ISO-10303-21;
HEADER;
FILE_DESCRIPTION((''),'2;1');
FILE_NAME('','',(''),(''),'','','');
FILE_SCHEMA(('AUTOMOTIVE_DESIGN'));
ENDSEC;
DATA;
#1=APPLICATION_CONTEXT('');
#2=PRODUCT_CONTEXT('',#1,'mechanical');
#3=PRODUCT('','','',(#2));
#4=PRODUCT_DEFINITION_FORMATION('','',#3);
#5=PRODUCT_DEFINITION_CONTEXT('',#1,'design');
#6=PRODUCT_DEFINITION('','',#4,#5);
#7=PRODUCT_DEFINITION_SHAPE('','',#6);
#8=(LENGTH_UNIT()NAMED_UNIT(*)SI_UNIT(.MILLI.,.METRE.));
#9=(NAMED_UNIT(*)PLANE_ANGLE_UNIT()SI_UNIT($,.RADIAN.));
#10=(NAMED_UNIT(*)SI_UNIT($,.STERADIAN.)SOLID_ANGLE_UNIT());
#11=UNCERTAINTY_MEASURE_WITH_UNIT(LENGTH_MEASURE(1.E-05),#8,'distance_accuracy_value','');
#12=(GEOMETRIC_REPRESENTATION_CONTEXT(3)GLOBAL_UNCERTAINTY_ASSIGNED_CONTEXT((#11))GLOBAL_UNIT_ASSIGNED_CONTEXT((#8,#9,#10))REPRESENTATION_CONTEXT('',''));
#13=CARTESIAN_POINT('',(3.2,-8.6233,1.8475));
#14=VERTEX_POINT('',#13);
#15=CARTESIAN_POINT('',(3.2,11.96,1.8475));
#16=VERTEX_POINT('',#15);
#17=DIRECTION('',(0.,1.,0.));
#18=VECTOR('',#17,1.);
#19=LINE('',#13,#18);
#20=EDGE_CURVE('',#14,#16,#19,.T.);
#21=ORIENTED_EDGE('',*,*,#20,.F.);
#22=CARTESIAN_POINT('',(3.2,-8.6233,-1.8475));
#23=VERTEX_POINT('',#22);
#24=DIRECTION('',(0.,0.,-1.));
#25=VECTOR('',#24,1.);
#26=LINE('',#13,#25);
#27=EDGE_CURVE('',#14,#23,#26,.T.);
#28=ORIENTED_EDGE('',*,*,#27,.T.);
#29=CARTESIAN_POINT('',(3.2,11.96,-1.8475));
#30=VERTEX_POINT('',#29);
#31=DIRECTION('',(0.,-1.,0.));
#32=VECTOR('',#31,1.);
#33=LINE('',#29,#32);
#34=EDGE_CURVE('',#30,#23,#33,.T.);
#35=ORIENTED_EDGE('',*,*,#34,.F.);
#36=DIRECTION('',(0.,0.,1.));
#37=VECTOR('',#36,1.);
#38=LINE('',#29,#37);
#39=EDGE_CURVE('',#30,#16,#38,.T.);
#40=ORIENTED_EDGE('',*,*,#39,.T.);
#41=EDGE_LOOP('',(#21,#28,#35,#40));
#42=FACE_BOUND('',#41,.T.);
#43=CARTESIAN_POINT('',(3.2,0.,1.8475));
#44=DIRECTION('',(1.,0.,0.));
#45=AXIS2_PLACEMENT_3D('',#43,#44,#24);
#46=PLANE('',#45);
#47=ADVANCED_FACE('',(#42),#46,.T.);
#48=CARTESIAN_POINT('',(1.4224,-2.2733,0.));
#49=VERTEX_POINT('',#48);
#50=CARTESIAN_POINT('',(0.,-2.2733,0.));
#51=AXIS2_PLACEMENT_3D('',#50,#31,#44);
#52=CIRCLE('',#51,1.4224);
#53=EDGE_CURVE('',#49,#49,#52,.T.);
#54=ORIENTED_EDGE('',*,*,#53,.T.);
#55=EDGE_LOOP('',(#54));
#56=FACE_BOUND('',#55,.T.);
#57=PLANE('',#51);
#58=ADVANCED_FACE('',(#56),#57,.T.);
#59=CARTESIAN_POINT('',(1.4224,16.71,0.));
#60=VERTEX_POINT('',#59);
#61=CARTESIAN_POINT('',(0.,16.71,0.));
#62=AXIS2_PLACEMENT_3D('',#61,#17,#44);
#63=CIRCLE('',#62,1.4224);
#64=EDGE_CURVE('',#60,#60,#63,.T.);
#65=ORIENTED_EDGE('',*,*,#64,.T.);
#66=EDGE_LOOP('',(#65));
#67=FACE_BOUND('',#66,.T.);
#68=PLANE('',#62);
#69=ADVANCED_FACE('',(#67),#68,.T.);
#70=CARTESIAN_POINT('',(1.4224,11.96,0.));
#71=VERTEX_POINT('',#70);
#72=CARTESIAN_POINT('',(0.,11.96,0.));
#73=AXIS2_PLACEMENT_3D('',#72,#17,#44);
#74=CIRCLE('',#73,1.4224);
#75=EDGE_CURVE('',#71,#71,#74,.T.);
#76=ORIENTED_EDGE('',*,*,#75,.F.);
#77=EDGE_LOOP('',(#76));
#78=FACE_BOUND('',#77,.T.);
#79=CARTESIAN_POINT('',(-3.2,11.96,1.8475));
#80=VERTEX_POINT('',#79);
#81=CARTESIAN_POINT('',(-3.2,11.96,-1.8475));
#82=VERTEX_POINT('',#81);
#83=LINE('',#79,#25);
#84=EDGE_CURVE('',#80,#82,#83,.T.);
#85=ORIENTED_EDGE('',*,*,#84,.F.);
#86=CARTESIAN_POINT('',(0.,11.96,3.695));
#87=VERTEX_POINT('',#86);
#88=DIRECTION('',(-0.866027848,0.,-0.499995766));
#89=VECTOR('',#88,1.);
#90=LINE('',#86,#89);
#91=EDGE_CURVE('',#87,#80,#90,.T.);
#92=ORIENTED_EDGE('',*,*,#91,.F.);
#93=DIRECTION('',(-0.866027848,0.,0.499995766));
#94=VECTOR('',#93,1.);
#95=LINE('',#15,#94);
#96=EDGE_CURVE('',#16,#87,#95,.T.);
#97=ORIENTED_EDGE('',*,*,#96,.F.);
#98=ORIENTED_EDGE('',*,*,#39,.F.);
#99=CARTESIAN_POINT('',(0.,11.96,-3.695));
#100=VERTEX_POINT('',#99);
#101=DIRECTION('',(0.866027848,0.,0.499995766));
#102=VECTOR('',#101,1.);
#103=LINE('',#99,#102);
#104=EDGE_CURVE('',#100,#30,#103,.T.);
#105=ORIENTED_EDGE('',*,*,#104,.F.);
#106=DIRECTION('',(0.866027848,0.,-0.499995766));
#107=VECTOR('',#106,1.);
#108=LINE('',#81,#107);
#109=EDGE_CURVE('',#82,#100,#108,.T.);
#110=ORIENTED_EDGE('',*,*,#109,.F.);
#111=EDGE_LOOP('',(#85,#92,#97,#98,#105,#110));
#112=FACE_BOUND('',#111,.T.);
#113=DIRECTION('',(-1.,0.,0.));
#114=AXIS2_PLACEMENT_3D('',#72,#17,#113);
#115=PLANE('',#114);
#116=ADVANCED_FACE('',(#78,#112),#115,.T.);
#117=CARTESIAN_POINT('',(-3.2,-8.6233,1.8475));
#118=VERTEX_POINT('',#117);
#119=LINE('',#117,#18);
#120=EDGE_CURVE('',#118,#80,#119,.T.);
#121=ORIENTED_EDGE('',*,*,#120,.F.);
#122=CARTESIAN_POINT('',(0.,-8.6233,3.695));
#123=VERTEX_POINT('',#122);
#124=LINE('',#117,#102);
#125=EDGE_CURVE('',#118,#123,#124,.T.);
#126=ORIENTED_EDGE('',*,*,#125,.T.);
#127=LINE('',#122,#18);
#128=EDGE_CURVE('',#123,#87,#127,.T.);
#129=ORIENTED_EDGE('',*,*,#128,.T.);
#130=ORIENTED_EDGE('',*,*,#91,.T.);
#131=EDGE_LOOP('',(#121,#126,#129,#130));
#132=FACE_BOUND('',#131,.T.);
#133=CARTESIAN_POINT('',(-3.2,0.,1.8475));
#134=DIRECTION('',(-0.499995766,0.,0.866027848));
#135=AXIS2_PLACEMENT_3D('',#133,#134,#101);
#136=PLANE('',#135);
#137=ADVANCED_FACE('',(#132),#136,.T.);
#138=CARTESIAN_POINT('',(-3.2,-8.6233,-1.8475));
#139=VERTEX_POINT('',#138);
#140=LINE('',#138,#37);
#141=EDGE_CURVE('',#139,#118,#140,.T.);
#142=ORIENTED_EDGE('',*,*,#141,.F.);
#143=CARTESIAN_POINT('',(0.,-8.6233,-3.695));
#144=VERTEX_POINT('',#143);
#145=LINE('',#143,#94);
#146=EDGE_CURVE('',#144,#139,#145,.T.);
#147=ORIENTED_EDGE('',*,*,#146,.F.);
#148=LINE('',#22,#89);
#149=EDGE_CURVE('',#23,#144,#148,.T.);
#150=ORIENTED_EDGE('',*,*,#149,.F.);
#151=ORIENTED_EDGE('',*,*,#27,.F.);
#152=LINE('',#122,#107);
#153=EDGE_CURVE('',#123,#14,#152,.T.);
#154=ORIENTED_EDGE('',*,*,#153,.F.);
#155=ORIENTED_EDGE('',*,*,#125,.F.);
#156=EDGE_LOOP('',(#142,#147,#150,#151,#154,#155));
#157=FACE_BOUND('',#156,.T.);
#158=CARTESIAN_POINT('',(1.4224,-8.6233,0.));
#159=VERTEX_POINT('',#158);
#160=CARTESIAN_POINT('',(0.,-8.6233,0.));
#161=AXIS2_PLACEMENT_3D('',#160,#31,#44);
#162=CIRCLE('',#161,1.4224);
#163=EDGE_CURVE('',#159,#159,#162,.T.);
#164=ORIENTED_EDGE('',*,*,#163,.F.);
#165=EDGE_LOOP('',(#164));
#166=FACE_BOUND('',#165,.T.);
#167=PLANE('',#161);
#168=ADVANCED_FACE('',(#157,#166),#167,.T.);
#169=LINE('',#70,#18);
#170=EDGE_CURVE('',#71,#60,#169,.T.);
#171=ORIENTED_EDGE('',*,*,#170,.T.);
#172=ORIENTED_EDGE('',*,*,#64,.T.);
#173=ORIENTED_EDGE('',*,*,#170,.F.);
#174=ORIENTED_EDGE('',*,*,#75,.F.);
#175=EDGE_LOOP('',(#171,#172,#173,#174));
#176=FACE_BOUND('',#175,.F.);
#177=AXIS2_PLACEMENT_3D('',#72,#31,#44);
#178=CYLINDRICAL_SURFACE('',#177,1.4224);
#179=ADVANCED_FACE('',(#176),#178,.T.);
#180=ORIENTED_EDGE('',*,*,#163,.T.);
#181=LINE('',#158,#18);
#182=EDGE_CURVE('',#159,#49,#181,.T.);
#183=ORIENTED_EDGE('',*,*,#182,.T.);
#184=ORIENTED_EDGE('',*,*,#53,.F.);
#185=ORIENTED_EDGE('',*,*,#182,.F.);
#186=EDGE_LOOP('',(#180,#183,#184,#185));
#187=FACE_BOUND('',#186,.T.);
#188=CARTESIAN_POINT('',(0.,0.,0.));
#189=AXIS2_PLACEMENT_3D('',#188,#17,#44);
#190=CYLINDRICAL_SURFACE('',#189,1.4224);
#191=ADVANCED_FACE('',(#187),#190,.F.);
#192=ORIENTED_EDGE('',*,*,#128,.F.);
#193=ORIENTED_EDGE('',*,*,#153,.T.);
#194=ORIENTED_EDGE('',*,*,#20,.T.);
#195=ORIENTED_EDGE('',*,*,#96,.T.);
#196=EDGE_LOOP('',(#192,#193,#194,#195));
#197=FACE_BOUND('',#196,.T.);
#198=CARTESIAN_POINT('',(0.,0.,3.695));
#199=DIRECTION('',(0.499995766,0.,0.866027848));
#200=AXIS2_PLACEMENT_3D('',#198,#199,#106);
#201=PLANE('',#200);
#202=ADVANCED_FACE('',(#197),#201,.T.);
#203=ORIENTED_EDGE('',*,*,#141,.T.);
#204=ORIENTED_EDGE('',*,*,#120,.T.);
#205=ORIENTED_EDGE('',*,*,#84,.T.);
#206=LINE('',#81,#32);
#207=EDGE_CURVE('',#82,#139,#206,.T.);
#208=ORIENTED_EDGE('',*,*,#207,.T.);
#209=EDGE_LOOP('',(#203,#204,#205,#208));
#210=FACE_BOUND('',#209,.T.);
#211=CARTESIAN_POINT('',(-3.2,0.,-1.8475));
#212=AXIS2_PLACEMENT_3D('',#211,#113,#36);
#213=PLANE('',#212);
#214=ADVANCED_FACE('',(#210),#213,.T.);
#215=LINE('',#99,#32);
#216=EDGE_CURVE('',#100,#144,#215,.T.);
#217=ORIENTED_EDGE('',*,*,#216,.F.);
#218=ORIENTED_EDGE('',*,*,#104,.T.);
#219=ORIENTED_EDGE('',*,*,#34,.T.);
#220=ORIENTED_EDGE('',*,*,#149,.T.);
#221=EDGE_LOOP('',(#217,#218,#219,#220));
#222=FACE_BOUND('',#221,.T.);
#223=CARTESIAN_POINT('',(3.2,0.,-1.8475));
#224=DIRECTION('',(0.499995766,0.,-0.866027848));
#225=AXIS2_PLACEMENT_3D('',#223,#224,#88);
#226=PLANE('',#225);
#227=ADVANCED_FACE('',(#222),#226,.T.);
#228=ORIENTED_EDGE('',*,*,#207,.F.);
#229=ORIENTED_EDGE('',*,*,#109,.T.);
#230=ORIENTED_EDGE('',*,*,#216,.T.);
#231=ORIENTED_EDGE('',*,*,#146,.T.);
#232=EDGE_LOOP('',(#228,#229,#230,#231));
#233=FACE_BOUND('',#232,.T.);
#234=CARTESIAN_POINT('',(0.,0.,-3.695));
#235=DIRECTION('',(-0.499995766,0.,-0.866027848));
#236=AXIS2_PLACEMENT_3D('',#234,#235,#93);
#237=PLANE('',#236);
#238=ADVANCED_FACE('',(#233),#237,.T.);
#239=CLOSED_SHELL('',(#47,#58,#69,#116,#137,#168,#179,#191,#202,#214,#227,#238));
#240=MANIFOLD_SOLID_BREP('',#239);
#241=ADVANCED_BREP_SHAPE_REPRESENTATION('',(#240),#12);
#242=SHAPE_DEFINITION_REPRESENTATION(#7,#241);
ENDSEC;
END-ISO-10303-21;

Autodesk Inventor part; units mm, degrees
ref_plane "YZ Plane" through (0, 0, 0) normal (1, 0, 0) x (0, 1, 0)
ref_plane "XZ Plane" through (0, 0, 0) normal (0, 1, 0) x (-1, 0, 0)
ref_plane "XY Plane" through (0, 0, 0) normal (0, 0, 1) x (1, 0, 0)
sketch "Sketch1" plane through (0, 0, 0) normal (0, 1, 0) x (-1, 0, 0)
  line L0 (3.2, 1.8475) -> (3.2, -1.8475)
  line L1 (3.2, -1.8475) -> (0, -3.695)
  line L2 (0, -3.695) -> (-3.2, -1.8475)
  line L3 (-3.2, -1.8475) -> (-3.2, 1.8475)
  line L4 (-3.2, 1.8475) -> (0, 3.695)
  line L5 (0, 3.695) -> (3.2, 1.8475)
  point P0 (0, 0)
  point P1 (3.2, 0)
  point P2 (-3.2, 0)
  dimension "d0" = 6.4
  dimension "d1" = 120
  dimension "d2" = 6.4
extrude "Extrusion1" add sketch "Sketch1" along normal blind 11.96
sketch "Sketch2" plane through (0, 11.96, 0) normal (0, 1, 0) x (1, 0, 0)
  circle A0 centre (0, 0) radius 1.4224
  dimension "d5" = 2.8448
extrude "Extrusion2" add sketch "Sketch2" along normal blind 4.75
sketch "Sketch3" plane through (0, 0, 0) normal (0, -1, 0) x (1, 0, 0)
  circle A0 centre (0, 0) radius 1.4224
  dimension "d8" = 2.8448
extrude "Extrusion3" cut sketch "Sketch3" against normal blind 6.35
sketch "Sketch4" plane through (0, 0, 0) normal (0, -1, 0) x (1, 0, 0)
  circle A0 centre (0, 0) radius 1.4224 projected
  line L0 (-3.2, -1.8475) -> (-3.2, 1.8475) projected
  line L1 (0, -3.695) -> (-3.2, -1.8475) projected
  line L2 (3.2, -1.8475) -> (0, -3.695) projected
  line L3 (3.2, 1.8475) -> (3.2, -1.8475) projected
  line L4 (0, 3.695) -> (3.2, 1.8475) projected
  line L5 (-3.2, 1.8475) -> (0, 3.695) projected
extrude "Extrusion4" add sketch "Sketch4" along normal blind 8.6233
sketch "Sketch5" plane through (0, 6.35, 0) normal (0, -1, 0) x (1, 0, 0)
  circle A0 centre (0, 0) radius 1.4224 projected
extrude "Extrusion5" add sketch "Sketch5" along normal blind 8.6233
properties part number "pc104standoffTEMP" material "Stainless Steel"
